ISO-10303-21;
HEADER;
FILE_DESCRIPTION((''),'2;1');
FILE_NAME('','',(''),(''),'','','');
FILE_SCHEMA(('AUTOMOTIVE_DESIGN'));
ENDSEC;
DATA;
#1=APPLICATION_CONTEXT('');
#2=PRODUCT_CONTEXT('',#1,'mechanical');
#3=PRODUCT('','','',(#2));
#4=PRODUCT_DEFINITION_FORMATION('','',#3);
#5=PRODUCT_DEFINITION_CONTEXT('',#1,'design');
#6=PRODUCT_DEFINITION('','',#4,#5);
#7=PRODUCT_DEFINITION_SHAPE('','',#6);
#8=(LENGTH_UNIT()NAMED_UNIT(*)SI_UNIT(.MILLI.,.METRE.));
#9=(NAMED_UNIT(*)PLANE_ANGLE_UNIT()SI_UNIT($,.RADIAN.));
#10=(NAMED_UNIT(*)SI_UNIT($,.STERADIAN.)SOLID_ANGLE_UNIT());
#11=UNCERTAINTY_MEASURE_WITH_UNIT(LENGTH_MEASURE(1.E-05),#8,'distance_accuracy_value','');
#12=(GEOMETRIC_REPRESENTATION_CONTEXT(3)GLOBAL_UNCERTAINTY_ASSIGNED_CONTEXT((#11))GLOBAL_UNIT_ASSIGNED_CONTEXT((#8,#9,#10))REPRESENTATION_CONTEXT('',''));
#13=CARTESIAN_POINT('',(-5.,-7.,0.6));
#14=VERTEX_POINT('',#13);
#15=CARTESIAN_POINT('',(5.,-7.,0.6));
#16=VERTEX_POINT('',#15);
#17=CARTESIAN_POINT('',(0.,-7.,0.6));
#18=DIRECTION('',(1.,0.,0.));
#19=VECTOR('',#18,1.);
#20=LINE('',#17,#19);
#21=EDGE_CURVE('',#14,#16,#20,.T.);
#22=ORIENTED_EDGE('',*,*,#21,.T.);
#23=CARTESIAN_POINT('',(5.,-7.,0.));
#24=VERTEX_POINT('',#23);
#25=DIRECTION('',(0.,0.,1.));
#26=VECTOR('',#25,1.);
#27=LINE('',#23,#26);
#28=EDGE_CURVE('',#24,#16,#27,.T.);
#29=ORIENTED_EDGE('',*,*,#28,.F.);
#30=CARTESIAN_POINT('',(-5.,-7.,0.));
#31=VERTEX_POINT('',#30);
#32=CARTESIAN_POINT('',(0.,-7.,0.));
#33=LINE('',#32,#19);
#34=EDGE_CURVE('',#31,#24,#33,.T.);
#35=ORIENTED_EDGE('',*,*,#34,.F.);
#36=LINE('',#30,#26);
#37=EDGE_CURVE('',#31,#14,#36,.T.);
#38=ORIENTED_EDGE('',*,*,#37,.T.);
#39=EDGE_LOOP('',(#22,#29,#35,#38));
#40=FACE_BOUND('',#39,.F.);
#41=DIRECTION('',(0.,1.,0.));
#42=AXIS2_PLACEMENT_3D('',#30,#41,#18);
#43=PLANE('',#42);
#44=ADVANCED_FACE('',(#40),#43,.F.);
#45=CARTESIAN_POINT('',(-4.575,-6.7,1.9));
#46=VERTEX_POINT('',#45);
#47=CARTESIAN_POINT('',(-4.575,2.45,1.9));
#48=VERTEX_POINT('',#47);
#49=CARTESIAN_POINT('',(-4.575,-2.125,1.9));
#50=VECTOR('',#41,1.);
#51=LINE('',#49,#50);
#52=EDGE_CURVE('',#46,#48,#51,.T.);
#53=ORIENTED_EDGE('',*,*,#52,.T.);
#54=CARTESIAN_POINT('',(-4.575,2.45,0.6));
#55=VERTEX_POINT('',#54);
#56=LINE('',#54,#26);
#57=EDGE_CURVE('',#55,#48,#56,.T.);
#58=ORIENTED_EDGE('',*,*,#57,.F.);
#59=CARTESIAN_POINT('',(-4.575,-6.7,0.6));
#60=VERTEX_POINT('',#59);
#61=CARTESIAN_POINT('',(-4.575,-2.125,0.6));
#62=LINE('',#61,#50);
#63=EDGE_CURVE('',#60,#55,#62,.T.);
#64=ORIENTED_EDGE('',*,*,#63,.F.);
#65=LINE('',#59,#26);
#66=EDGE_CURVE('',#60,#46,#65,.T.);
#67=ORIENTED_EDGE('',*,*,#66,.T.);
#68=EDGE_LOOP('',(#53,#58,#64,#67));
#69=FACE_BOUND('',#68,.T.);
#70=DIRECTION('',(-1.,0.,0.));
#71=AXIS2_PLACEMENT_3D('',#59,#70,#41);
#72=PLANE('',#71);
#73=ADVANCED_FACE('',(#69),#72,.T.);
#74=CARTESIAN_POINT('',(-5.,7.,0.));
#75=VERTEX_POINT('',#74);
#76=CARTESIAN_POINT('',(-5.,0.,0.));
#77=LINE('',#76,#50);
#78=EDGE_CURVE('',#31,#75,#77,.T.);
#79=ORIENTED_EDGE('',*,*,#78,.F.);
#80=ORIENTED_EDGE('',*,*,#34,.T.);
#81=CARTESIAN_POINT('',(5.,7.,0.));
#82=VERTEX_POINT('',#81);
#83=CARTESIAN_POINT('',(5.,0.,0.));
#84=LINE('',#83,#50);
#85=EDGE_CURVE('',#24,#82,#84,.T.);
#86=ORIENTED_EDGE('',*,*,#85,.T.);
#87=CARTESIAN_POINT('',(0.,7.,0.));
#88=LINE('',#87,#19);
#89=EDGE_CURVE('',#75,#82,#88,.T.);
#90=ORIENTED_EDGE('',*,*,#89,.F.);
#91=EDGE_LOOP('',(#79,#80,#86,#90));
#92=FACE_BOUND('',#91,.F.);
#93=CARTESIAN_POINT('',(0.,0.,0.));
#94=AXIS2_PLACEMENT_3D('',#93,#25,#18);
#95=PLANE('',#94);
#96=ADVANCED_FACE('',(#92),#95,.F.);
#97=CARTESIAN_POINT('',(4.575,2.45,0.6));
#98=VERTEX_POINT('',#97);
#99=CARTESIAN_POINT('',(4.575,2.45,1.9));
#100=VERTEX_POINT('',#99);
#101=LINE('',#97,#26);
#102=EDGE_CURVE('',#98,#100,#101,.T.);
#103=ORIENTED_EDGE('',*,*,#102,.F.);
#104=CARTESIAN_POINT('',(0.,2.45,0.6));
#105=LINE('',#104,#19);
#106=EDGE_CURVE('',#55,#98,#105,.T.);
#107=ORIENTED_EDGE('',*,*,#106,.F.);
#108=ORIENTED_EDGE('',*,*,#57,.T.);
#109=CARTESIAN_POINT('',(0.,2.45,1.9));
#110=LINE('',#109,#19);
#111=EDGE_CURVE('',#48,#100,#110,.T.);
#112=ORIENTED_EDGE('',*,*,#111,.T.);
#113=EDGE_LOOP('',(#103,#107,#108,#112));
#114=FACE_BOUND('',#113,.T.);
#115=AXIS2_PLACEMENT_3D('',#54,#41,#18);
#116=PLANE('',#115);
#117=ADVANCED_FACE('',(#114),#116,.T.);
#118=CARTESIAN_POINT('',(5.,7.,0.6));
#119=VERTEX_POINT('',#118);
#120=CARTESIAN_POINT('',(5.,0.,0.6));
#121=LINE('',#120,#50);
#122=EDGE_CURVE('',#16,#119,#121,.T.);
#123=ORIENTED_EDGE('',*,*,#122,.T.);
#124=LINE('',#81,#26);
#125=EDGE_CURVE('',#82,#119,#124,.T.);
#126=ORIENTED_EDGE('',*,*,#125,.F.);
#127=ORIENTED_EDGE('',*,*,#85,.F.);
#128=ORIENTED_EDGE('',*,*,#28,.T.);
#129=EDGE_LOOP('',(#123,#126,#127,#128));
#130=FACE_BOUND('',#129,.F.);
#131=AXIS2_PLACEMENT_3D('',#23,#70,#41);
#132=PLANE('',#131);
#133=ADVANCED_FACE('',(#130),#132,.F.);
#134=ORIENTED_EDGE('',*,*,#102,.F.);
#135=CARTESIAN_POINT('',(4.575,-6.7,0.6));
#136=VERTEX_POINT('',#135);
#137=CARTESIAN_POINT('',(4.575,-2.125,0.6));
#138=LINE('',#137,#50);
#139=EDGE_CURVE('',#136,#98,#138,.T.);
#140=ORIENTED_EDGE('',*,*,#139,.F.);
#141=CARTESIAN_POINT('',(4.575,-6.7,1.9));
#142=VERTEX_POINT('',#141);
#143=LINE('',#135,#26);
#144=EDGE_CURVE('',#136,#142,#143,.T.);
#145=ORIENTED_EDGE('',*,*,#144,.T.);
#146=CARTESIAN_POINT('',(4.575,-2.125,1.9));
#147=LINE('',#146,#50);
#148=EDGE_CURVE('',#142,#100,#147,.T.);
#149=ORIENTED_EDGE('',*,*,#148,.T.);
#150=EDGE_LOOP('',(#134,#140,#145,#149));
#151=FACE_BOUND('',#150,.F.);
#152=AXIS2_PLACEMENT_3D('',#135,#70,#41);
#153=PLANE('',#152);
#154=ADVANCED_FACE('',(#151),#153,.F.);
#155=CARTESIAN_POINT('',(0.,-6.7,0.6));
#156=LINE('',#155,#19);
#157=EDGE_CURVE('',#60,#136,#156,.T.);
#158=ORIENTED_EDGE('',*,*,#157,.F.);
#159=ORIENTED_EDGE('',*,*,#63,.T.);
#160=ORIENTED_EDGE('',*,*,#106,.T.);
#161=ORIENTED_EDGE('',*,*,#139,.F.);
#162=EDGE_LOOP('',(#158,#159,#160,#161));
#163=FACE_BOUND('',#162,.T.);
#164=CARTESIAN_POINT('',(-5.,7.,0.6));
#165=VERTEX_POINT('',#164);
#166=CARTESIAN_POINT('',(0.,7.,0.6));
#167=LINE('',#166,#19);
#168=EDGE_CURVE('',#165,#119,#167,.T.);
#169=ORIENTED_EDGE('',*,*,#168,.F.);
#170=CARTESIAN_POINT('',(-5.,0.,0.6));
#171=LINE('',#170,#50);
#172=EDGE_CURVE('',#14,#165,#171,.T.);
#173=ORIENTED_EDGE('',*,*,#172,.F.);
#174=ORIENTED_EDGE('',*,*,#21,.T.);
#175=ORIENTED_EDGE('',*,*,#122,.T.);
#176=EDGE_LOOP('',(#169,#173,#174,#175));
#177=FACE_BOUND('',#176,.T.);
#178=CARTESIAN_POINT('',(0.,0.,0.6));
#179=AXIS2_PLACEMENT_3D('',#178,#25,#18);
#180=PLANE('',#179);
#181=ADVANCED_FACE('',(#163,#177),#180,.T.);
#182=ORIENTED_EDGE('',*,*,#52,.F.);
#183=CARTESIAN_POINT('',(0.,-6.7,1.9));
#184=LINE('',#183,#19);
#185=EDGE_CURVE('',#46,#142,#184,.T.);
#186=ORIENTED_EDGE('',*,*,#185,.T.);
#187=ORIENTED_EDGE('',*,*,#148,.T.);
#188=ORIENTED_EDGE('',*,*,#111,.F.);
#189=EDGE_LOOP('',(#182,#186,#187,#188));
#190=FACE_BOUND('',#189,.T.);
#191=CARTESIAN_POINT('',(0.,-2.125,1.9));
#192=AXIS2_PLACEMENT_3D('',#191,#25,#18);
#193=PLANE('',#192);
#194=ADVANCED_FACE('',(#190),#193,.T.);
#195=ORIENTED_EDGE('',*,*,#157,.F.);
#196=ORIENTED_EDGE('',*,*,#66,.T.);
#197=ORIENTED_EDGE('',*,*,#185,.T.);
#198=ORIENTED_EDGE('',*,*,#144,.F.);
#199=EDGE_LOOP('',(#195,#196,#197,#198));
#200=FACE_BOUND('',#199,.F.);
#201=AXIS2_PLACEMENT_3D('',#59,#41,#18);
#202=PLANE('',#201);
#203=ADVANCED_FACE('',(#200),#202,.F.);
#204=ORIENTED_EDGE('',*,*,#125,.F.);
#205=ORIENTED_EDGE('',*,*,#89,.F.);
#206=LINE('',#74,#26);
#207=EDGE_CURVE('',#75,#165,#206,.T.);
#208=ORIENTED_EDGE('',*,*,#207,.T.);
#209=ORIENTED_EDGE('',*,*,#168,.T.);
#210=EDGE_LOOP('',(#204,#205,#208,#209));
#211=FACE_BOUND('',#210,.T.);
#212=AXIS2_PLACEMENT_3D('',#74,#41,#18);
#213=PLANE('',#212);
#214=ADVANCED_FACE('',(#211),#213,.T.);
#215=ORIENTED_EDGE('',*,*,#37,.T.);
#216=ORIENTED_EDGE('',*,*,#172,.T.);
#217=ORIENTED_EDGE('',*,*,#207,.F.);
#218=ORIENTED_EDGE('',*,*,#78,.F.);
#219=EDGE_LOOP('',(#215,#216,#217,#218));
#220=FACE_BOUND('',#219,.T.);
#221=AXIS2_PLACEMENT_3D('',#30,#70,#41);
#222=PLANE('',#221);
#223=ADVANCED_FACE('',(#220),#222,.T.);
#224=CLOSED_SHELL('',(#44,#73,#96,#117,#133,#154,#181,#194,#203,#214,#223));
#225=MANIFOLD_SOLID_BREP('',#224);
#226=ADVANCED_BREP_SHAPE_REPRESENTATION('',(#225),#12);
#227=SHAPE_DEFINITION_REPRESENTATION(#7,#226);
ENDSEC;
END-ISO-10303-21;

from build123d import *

# Parameters (mm, degrees)
SKETCH1_W           = 10
SKETCH1_H           = 14
BOSS_EXTRUDE1_DEPTH = 0.6
SKETCH2_W           = 9.15
SKETCH2_H           = 9.15
BOSS_EXTRUDE2_DEPTH = 1.3


with BuildPart() as part:
    # Sketch1 → Boss-Extrude1 (new body)
    with BuildSketch(Plane.XY):
        Rectangle(SKETCH1_W, SKETCH1_H)
    extrude(amount=BOSS_EXTRUDE1_DEPTH)

    # Sketch2 → Boss-Extrude2 (add)
    with BuildSketch(Plane.XY.offset(0.6)):
        with Locations((0, -2.125)):
            Rectangle(SKETCH2_W, SKETCH2_H)
    extrude(amount=BOSS_EXTRUDE2_DEPTH)


solid = part.part
